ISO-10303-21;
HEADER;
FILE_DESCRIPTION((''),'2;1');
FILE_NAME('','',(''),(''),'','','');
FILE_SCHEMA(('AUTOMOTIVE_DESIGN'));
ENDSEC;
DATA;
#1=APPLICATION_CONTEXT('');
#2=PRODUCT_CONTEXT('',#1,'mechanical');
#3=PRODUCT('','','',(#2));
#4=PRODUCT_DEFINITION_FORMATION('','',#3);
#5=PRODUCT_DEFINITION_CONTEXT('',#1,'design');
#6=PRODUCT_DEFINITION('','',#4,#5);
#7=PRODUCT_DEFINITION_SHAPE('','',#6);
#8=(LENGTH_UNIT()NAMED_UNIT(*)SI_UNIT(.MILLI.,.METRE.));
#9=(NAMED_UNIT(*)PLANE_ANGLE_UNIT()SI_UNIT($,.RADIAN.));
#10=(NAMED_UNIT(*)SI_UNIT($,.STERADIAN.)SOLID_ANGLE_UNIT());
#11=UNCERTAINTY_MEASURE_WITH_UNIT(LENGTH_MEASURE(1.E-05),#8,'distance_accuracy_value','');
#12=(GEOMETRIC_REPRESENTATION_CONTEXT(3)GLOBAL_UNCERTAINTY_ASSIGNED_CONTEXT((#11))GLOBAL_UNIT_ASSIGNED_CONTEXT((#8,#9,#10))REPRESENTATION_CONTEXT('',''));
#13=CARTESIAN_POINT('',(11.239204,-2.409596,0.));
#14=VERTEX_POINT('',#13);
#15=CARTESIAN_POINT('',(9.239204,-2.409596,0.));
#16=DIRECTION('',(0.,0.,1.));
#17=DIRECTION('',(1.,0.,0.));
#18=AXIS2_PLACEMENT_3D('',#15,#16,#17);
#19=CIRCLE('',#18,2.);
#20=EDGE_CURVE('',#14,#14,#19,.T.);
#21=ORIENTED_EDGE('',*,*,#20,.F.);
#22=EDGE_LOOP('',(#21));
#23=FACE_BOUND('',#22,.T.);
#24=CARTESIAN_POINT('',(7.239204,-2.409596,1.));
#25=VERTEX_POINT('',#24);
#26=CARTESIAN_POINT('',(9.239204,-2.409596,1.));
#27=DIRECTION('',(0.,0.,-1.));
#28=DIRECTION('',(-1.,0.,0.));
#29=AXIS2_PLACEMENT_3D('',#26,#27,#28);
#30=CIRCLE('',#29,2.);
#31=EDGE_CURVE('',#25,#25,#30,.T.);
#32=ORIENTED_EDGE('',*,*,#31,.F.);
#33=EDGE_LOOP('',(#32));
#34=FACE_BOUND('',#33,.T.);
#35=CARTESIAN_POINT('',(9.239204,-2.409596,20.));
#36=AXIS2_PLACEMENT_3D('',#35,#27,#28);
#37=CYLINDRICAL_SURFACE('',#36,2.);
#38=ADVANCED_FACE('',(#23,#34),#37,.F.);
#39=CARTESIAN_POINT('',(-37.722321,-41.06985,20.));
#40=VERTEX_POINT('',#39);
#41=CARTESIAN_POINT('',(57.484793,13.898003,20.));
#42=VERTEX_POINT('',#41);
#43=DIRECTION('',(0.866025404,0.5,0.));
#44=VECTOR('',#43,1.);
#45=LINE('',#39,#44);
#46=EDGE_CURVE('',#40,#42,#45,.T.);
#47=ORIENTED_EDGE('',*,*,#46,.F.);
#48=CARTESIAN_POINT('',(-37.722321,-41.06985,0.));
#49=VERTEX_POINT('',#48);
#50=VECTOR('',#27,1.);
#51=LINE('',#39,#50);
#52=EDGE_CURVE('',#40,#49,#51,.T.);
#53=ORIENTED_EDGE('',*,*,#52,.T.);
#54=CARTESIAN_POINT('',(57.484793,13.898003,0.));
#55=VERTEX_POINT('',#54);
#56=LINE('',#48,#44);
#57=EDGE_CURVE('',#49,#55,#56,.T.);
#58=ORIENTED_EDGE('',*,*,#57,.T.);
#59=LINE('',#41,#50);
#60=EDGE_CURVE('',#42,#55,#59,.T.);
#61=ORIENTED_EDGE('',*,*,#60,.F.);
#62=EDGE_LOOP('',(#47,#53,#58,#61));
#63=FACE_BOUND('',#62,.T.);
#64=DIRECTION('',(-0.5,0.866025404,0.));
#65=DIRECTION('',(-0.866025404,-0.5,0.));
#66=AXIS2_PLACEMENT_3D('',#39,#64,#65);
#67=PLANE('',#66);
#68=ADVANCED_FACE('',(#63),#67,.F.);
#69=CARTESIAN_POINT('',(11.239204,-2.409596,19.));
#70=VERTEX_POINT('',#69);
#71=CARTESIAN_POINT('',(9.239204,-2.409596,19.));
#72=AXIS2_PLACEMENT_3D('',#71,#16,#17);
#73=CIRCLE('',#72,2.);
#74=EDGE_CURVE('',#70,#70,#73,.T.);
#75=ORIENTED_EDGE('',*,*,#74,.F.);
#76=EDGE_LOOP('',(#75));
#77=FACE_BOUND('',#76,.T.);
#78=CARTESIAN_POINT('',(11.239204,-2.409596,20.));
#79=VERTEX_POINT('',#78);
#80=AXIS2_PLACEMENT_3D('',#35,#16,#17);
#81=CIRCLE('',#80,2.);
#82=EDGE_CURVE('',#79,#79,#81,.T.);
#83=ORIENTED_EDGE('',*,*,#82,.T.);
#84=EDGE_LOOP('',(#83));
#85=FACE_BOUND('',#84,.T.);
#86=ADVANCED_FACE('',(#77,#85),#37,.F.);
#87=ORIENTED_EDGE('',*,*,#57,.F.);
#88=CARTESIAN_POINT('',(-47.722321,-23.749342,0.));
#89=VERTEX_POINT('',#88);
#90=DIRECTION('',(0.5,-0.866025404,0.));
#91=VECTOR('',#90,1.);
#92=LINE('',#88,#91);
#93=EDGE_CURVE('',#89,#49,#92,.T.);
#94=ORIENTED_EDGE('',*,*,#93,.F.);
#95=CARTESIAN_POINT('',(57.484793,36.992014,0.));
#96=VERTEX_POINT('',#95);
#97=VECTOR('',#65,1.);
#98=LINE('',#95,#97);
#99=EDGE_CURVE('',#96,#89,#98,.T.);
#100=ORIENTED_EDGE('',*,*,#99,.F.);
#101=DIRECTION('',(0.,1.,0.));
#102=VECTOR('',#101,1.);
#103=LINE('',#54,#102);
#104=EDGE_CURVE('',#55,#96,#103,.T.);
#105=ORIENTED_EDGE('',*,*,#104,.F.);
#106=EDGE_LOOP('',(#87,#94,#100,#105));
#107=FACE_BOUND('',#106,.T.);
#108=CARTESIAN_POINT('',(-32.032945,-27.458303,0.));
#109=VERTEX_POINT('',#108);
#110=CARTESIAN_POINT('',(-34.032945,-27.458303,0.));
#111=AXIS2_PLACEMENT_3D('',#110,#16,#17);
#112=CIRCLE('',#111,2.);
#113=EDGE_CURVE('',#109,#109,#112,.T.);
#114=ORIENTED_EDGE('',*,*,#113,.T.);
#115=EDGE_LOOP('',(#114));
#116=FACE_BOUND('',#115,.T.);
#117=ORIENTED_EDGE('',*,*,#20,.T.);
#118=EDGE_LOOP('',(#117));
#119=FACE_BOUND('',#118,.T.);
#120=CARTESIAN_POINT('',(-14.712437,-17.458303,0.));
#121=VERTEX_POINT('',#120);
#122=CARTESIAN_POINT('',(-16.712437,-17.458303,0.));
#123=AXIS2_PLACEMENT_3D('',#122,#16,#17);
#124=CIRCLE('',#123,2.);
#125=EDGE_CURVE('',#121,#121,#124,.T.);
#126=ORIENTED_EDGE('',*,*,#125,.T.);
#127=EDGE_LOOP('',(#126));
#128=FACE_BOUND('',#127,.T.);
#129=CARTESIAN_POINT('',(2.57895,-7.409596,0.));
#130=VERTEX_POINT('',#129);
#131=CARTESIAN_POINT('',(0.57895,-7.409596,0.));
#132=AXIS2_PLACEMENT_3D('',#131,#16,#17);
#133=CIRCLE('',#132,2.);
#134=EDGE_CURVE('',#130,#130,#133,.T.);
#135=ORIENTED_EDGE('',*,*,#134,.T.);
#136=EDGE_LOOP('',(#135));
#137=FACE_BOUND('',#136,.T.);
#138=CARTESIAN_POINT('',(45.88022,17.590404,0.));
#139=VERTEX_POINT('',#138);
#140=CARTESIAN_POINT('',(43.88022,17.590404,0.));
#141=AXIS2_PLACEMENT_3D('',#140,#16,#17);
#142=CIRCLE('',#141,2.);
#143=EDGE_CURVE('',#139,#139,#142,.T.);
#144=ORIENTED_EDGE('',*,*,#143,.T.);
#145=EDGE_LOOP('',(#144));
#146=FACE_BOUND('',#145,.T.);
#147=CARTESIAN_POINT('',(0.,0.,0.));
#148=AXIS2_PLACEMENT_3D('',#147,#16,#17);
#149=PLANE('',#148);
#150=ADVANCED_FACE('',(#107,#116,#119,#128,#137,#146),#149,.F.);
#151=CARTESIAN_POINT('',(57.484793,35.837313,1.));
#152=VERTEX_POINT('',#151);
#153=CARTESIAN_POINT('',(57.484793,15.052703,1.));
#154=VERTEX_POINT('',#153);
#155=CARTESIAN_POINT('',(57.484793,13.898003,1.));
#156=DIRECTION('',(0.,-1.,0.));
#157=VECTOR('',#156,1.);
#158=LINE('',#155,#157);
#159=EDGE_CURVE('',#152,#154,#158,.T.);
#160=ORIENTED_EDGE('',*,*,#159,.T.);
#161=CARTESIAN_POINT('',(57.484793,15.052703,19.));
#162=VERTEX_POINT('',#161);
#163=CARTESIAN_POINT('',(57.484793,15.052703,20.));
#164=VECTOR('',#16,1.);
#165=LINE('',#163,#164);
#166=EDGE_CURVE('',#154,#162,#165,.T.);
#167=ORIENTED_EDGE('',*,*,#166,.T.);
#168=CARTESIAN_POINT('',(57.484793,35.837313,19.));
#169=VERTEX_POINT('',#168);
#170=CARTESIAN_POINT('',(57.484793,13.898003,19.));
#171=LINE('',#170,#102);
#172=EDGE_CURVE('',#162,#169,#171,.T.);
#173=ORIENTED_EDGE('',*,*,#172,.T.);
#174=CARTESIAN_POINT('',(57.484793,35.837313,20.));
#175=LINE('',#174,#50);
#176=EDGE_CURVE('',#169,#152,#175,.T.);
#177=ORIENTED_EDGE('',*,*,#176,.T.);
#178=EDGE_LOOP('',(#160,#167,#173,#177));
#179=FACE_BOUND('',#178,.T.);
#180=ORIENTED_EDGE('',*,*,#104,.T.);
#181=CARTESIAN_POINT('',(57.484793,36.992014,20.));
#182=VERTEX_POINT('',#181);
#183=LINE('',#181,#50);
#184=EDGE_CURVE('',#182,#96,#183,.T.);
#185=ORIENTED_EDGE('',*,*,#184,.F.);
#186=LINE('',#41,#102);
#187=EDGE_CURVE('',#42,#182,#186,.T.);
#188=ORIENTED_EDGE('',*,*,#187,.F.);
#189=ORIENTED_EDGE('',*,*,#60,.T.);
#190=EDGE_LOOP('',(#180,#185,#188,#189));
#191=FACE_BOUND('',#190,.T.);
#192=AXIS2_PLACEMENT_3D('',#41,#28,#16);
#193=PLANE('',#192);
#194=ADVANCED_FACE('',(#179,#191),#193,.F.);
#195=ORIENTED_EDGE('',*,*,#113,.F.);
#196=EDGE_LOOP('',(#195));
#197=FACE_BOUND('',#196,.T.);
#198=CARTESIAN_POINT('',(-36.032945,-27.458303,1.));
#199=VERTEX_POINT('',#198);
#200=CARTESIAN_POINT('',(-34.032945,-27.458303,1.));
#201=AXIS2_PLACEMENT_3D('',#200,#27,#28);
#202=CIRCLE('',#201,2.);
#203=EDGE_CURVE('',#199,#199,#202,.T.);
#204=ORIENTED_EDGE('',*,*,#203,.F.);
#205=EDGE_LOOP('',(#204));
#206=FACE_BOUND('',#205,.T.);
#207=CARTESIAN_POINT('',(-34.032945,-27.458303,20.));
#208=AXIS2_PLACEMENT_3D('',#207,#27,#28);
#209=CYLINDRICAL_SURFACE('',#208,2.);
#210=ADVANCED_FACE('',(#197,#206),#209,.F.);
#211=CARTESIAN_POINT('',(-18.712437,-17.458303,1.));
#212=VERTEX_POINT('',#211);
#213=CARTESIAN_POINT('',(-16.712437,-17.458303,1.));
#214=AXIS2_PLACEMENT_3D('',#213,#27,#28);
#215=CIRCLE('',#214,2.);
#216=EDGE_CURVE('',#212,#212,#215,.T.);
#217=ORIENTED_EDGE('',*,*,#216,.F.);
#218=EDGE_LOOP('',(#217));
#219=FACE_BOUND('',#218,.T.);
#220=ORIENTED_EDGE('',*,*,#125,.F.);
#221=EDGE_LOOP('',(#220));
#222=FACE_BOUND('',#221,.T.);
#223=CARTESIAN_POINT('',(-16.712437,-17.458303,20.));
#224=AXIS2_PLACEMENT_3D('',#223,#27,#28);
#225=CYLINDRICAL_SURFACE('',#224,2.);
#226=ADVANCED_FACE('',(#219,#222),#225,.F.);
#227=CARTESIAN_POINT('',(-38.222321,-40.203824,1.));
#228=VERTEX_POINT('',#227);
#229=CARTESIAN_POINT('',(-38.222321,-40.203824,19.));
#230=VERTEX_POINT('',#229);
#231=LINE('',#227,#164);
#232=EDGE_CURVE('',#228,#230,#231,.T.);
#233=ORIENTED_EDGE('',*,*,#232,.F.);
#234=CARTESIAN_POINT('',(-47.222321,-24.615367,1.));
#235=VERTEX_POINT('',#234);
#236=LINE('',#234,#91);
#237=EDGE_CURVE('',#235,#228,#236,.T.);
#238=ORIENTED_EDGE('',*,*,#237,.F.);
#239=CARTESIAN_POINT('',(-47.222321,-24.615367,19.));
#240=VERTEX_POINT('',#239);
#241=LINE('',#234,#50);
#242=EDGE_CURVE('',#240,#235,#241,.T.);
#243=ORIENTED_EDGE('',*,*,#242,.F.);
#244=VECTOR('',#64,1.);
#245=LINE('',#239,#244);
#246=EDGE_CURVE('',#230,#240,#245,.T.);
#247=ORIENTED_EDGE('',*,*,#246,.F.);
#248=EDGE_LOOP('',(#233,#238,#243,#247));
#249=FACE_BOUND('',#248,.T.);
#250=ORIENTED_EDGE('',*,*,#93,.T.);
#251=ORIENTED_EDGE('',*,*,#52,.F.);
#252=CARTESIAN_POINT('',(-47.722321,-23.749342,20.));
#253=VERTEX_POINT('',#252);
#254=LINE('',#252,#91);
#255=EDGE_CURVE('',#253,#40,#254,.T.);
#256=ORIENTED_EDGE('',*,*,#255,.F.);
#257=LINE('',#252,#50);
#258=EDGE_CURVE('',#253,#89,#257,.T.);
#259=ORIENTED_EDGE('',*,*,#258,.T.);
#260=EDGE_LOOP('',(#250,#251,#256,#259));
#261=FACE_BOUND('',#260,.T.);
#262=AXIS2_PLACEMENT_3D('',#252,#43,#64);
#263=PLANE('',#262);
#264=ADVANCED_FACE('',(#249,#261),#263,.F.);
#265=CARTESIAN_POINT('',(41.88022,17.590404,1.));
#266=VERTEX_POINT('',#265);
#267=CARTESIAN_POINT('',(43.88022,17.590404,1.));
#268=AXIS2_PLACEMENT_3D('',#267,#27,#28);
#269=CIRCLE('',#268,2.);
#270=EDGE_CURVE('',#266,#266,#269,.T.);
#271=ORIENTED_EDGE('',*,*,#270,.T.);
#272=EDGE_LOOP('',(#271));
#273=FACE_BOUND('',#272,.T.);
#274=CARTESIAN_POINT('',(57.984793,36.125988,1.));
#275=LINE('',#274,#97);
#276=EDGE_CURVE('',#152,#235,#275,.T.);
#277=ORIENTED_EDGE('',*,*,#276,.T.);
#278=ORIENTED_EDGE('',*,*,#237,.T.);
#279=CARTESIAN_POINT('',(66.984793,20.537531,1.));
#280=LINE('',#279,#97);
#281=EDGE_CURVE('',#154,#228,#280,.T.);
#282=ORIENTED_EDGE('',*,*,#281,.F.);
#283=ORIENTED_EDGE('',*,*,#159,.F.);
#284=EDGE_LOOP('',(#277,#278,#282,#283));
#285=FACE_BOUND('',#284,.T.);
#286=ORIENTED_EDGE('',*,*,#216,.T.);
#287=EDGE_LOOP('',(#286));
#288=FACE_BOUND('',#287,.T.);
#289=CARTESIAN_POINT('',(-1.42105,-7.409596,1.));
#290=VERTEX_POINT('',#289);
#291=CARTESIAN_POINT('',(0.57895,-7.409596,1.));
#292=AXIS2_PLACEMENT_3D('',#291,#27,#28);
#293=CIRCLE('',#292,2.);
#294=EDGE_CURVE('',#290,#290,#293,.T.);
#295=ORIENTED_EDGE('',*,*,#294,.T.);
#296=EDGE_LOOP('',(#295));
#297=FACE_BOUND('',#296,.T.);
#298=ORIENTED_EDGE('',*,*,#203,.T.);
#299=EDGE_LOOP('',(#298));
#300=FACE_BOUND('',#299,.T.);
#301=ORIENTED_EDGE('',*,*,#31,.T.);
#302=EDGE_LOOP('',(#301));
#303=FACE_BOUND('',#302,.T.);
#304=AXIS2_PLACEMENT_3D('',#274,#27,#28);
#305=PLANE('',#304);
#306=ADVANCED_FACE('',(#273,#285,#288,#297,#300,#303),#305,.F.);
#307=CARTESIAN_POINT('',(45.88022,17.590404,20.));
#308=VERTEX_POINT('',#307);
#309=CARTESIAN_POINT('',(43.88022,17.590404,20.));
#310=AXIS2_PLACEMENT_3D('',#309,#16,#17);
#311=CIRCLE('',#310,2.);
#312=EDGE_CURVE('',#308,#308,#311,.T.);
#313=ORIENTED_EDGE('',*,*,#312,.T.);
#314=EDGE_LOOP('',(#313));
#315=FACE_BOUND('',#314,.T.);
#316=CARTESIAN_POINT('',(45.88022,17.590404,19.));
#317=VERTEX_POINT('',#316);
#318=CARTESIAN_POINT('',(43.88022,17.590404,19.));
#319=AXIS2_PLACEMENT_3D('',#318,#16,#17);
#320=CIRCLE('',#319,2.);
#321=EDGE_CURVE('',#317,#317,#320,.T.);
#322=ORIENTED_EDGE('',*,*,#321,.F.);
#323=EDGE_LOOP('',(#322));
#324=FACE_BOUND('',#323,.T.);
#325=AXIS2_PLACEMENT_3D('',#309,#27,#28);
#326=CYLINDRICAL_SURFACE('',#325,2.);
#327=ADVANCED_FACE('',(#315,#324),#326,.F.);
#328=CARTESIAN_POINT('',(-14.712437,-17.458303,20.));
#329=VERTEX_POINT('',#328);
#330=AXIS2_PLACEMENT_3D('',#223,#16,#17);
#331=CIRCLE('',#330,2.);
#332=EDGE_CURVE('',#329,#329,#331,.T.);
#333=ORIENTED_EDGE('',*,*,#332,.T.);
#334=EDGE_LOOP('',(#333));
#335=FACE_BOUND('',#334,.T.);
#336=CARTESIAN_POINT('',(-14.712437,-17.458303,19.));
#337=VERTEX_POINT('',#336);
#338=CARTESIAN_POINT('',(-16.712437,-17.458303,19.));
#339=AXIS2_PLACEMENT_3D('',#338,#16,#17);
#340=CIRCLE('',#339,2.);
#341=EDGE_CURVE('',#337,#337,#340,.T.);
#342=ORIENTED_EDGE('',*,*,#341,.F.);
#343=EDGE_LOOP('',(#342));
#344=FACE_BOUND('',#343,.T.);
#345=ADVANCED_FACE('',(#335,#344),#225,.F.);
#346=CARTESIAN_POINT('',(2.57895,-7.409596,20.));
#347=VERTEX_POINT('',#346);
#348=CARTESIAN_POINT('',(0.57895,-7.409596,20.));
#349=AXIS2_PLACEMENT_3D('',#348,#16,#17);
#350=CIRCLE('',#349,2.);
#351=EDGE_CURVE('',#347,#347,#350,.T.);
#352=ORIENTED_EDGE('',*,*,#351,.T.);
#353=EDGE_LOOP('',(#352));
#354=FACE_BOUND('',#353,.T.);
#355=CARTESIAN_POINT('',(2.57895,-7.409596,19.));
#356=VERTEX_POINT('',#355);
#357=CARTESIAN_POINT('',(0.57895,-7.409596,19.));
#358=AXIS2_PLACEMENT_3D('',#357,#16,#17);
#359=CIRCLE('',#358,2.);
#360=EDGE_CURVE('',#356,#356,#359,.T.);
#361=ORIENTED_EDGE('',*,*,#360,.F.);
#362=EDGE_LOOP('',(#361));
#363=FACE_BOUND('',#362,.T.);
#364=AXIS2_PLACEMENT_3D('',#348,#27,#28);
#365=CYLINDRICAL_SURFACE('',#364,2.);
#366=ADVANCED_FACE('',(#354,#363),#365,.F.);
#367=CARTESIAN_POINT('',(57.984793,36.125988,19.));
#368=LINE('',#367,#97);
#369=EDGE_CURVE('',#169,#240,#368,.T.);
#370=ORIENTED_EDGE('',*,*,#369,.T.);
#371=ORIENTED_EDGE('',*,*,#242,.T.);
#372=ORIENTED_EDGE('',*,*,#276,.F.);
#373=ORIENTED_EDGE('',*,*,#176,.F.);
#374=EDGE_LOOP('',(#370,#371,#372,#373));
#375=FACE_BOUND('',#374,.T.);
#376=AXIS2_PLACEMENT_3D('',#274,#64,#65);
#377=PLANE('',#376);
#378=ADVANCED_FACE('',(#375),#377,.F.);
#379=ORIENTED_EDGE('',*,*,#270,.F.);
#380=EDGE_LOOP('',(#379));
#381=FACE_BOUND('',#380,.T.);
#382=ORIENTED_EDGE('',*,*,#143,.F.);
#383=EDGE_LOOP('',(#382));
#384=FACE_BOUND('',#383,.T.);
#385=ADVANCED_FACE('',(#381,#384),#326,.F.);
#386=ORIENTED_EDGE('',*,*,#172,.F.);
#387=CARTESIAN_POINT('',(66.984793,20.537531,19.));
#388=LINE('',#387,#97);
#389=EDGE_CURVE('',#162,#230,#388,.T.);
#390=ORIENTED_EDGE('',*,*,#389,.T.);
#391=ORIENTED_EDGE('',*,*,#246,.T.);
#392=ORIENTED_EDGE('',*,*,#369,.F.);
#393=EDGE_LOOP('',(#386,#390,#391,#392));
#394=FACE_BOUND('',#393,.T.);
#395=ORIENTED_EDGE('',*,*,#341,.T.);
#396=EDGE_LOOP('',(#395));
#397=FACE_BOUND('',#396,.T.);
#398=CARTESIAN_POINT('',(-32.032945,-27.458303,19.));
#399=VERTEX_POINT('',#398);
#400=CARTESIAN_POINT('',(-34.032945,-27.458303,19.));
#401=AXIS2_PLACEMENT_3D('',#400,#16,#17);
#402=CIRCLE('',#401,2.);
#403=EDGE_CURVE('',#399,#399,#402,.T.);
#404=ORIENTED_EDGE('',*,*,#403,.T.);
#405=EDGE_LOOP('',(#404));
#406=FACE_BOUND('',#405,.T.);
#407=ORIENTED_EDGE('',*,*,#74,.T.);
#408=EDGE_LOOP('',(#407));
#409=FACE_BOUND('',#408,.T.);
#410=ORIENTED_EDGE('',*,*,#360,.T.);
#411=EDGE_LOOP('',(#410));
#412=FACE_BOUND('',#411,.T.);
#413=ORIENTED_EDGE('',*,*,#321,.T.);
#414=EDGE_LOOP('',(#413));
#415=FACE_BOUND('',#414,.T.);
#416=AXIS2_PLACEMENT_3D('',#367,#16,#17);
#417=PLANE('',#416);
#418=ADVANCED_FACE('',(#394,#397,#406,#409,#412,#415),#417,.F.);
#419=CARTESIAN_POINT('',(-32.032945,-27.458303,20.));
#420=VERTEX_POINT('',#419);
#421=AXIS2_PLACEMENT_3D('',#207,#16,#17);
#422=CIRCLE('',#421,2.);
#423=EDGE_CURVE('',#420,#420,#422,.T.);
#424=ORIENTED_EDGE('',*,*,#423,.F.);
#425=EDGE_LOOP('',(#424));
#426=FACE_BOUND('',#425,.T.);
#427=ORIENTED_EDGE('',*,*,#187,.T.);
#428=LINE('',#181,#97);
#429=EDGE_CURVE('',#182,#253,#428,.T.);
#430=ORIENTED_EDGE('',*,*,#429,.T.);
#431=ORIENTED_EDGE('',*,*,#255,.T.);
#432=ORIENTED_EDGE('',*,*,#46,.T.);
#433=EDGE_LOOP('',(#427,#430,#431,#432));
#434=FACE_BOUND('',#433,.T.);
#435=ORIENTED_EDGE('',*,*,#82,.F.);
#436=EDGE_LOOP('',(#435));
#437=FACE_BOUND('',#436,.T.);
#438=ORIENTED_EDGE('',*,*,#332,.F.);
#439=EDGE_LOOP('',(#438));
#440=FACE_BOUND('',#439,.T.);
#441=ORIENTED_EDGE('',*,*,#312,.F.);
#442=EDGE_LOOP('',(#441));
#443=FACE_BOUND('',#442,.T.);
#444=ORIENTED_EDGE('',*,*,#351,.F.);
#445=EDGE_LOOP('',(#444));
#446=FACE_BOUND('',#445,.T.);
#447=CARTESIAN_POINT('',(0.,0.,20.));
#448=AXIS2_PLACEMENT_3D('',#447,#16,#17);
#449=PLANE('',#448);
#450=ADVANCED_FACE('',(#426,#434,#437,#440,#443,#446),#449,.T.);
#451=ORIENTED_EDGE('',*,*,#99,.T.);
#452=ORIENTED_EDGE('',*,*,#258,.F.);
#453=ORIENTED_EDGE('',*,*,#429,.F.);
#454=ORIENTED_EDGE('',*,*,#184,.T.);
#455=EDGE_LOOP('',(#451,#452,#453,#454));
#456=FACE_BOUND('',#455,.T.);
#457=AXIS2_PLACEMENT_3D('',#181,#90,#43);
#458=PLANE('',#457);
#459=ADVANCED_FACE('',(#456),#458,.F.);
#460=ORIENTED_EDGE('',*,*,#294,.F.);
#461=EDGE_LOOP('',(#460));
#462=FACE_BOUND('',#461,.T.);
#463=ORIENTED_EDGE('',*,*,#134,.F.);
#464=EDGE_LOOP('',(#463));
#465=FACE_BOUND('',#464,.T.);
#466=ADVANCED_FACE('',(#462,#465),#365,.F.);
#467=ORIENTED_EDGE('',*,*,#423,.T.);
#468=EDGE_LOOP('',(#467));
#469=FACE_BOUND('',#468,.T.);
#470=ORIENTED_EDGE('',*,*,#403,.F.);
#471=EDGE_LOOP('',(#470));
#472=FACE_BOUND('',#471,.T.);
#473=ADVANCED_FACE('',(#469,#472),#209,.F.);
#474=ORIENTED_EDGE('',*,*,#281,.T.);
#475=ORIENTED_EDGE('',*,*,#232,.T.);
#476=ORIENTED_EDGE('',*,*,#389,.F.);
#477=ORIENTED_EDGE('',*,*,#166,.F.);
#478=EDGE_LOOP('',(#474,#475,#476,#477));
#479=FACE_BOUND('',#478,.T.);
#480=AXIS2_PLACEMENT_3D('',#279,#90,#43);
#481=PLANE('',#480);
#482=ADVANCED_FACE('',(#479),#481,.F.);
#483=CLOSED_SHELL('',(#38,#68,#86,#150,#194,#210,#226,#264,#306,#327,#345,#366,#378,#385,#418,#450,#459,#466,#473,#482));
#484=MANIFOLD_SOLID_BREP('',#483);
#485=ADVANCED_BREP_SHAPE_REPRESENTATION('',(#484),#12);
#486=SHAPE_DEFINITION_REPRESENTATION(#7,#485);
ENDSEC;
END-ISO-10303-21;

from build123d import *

# Parameters (mm, degrees)
SKETCH_1_R          = 2
EXTRUDE_1_DEPTH     = 20
SKETCH_2_W          = 18
SKETCH_2_H          = 18
CUT_EXTRUDE_1_DEPTH = 124.162075769


with BuildPart() as part:
    # 草图1 → 凸台-拉伸1 (new body)
    with BuildSketch(Plane.XY):
        Polygon((-47.722320689, -23.749341584), (-37.722320689, -41.06984966), (57.484792643, 13.898002851), (57.484792643, 36.992013619), align=None)
        with Locations((43.880219689, 17.590404378)):
            Circle(SKETCH_1_R, mode=Mode.SUBTRACT)
        with Locations((9.239203538, -2.409595622)):
            Circle(SKETCH_1_R, mode=Mode.SUBTRACT)
        with Locations((0.5789495, -7.409595622)):
            Circle(SKETCH_1_R, mode=Mode.SUBTRACT)
        with Locations((-16.712437168, -17.458303329)):
            Circle(SKETCH_1_R, mode=Mode.SUBTRACT)
        with Locations((-34.032945243, -27.458303329)):
            Circle(SKETCH_1_R, mode=Mode.SUBTRACT)
    extrude(amount=EXTRUDE_1_DEPTH)

    # 草图2 → 切除-拉伸1 (cut, through all)
    with BuildSketch(Plane(origin=(-46.075507084, -26.601706418, 0), x_dir=(0, 0, 1), z_dir=(-0.8660254037844416, -0.49999999999999517, 0))):
        with Locations((10, -6.70637279)):
            Rectangle(SKETCH_2_W, SKETCH_2_H)
    extrude(amount=-CUT_EXTRUDE_1_DEPTH, mode=Mode.SUBTRACT)


solid = part.part
